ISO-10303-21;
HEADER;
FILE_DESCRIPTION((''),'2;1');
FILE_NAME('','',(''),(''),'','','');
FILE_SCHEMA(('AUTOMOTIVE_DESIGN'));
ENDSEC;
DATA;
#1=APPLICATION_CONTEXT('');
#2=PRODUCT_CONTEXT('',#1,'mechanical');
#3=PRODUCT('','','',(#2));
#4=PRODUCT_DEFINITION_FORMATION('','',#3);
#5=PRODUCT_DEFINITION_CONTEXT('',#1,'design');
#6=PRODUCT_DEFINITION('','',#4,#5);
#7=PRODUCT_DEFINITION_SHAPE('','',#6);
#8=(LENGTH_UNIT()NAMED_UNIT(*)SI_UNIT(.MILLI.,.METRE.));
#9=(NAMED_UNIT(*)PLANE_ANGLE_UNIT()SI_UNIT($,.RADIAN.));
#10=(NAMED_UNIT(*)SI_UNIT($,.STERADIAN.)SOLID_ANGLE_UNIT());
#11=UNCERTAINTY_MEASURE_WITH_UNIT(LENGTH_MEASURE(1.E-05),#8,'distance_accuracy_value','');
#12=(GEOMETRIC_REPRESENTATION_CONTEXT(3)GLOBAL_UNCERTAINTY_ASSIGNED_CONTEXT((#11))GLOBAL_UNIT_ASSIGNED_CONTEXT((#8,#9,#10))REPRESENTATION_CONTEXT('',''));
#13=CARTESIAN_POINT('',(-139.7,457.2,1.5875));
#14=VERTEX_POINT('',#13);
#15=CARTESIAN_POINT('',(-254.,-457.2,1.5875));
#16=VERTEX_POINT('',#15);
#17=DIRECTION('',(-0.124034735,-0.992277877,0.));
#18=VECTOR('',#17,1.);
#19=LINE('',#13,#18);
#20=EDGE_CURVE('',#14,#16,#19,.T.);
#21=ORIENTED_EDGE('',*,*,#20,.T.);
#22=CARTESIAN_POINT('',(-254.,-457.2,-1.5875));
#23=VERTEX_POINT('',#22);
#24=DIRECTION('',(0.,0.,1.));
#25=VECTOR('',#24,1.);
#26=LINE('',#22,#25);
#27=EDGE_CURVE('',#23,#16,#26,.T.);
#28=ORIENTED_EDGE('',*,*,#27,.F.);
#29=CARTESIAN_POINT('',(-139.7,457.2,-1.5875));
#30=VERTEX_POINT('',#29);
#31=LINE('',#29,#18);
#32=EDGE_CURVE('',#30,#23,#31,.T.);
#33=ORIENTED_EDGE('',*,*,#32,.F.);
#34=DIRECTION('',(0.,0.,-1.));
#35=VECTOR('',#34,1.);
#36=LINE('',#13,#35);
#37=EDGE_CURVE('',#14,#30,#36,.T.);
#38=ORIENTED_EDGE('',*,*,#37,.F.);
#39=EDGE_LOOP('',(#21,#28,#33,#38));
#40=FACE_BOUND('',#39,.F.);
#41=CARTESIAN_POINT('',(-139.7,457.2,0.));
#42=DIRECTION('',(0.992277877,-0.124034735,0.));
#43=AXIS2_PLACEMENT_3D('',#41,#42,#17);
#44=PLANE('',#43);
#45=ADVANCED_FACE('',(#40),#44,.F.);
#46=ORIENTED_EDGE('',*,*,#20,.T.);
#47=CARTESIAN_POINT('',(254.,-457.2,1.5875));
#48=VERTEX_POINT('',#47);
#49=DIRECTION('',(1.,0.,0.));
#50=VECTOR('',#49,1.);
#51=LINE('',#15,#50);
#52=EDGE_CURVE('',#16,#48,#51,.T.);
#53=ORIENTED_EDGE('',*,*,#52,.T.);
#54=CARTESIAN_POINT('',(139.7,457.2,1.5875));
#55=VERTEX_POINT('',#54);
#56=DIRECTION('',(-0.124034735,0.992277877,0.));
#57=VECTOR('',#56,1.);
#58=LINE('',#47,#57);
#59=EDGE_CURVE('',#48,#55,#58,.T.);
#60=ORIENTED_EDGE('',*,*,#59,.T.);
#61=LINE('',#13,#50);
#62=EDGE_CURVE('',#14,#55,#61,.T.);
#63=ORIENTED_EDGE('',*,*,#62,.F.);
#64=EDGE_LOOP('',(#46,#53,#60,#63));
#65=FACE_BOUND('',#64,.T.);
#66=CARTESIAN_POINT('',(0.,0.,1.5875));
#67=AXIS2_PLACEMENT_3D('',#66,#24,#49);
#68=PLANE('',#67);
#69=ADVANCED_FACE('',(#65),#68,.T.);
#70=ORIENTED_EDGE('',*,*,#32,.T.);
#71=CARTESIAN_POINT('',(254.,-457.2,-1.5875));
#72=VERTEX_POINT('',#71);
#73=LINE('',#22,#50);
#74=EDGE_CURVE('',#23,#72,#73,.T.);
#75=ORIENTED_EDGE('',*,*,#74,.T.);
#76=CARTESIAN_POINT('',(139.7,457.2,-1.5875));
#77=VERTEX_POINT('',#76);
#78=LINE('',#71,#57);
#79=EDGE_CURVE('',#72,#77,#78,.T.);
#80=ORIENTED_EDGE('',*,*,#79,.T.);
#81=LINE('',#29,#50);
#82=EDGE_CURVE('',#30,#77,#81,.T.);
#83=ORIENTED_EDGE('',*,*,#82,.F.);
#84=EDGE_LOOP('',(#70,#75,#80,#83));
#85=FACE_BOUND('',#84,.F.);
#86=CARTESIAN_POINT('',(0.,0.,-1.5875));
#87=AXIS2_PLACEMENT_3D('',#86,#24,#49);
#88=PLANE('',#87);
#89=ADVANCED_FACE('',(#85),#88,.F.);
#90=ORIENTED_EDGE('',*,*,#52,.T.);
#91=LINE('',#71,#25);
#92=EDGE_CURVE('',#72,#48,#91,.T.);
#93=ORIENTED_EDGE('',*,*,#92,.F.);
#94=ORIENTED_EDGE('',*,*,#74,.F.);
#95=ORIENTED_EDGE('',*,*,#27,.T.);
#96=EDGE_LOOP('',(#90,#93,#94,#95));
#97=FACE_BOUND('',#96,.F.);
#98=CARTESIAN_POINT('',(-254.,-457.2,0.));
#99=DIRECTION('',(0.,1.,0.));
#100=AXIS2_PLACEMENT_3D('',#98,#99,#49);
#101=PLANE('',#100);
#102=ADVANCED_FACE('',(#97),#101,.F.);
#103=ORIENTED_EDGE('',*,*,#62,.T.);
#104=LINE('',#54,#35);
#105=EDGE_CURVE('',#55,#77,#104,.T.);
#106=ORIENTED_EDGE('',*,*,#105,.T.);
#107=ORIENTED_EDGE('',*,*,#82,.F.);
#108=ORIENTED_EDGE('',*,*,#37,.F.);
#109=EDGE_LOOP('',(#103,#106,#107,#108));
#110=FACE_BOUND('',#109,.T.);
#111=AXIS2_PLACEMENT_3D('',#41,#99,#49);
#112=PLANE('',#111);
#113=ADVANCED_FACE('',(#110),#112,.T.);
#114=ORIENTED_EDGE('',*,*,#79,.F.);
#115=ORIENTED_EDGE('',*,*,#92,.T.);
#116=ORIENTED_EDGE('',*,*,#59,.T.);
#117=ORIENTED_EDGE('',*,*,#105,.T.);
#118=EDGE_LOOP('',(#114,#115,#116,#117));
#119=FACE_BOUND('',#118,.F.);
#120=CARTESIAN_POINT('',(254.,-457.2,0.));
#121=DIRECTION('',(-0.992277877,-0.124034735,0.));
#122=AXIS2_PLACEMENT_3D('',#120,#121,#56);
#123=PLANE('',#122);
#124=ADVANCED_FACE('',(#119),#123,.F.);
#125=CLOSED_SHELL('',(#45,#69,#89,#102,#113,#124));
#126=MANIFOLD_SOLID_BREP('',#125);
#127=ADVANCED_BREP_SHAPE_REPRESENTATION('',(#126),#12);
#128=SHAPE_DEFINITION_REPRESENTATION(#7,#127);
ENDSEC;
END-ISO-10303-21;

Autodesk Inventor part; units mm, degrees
ref_plane "YZ Plane" through (0, 0, 0) normal (1, 0, 0) x (0, 1, 0)
ref_plane "XZ Plane" through (0, 0, 0) normal (0, 1, 0) x (-1, 0, 0)
ref_plane "XY Plane" through (0, 0, 0) normal (0, 0, 1) x (1, 0, 0)
sketch "Sketch1" plane through (0, 0, 0) normal (0, 0, 1) x (1, 0, 0)
  line L0 (-254, -457.2) -> (254, -457.2)
  line L1 (-139.7, 457.2) -> (139.7, 457.2)
  line L2 (-139.7, 457.2) -> (-254, -457.2)
  line L3 (254, -457.2) -> (139.7, 457.2)
  line L4 (0, 457.2) -> (0, -457.2) construction
  point P0 (0, 0)
  point P1 (0, 0)
  dimension "d0" = 508
  dimension "d1" = 279.4
  dimension "d2" = 914.4
extrude "Extrusion1" add sketch "Sketch1" along normal mid plane 3.175
properties part number "Ramp"
